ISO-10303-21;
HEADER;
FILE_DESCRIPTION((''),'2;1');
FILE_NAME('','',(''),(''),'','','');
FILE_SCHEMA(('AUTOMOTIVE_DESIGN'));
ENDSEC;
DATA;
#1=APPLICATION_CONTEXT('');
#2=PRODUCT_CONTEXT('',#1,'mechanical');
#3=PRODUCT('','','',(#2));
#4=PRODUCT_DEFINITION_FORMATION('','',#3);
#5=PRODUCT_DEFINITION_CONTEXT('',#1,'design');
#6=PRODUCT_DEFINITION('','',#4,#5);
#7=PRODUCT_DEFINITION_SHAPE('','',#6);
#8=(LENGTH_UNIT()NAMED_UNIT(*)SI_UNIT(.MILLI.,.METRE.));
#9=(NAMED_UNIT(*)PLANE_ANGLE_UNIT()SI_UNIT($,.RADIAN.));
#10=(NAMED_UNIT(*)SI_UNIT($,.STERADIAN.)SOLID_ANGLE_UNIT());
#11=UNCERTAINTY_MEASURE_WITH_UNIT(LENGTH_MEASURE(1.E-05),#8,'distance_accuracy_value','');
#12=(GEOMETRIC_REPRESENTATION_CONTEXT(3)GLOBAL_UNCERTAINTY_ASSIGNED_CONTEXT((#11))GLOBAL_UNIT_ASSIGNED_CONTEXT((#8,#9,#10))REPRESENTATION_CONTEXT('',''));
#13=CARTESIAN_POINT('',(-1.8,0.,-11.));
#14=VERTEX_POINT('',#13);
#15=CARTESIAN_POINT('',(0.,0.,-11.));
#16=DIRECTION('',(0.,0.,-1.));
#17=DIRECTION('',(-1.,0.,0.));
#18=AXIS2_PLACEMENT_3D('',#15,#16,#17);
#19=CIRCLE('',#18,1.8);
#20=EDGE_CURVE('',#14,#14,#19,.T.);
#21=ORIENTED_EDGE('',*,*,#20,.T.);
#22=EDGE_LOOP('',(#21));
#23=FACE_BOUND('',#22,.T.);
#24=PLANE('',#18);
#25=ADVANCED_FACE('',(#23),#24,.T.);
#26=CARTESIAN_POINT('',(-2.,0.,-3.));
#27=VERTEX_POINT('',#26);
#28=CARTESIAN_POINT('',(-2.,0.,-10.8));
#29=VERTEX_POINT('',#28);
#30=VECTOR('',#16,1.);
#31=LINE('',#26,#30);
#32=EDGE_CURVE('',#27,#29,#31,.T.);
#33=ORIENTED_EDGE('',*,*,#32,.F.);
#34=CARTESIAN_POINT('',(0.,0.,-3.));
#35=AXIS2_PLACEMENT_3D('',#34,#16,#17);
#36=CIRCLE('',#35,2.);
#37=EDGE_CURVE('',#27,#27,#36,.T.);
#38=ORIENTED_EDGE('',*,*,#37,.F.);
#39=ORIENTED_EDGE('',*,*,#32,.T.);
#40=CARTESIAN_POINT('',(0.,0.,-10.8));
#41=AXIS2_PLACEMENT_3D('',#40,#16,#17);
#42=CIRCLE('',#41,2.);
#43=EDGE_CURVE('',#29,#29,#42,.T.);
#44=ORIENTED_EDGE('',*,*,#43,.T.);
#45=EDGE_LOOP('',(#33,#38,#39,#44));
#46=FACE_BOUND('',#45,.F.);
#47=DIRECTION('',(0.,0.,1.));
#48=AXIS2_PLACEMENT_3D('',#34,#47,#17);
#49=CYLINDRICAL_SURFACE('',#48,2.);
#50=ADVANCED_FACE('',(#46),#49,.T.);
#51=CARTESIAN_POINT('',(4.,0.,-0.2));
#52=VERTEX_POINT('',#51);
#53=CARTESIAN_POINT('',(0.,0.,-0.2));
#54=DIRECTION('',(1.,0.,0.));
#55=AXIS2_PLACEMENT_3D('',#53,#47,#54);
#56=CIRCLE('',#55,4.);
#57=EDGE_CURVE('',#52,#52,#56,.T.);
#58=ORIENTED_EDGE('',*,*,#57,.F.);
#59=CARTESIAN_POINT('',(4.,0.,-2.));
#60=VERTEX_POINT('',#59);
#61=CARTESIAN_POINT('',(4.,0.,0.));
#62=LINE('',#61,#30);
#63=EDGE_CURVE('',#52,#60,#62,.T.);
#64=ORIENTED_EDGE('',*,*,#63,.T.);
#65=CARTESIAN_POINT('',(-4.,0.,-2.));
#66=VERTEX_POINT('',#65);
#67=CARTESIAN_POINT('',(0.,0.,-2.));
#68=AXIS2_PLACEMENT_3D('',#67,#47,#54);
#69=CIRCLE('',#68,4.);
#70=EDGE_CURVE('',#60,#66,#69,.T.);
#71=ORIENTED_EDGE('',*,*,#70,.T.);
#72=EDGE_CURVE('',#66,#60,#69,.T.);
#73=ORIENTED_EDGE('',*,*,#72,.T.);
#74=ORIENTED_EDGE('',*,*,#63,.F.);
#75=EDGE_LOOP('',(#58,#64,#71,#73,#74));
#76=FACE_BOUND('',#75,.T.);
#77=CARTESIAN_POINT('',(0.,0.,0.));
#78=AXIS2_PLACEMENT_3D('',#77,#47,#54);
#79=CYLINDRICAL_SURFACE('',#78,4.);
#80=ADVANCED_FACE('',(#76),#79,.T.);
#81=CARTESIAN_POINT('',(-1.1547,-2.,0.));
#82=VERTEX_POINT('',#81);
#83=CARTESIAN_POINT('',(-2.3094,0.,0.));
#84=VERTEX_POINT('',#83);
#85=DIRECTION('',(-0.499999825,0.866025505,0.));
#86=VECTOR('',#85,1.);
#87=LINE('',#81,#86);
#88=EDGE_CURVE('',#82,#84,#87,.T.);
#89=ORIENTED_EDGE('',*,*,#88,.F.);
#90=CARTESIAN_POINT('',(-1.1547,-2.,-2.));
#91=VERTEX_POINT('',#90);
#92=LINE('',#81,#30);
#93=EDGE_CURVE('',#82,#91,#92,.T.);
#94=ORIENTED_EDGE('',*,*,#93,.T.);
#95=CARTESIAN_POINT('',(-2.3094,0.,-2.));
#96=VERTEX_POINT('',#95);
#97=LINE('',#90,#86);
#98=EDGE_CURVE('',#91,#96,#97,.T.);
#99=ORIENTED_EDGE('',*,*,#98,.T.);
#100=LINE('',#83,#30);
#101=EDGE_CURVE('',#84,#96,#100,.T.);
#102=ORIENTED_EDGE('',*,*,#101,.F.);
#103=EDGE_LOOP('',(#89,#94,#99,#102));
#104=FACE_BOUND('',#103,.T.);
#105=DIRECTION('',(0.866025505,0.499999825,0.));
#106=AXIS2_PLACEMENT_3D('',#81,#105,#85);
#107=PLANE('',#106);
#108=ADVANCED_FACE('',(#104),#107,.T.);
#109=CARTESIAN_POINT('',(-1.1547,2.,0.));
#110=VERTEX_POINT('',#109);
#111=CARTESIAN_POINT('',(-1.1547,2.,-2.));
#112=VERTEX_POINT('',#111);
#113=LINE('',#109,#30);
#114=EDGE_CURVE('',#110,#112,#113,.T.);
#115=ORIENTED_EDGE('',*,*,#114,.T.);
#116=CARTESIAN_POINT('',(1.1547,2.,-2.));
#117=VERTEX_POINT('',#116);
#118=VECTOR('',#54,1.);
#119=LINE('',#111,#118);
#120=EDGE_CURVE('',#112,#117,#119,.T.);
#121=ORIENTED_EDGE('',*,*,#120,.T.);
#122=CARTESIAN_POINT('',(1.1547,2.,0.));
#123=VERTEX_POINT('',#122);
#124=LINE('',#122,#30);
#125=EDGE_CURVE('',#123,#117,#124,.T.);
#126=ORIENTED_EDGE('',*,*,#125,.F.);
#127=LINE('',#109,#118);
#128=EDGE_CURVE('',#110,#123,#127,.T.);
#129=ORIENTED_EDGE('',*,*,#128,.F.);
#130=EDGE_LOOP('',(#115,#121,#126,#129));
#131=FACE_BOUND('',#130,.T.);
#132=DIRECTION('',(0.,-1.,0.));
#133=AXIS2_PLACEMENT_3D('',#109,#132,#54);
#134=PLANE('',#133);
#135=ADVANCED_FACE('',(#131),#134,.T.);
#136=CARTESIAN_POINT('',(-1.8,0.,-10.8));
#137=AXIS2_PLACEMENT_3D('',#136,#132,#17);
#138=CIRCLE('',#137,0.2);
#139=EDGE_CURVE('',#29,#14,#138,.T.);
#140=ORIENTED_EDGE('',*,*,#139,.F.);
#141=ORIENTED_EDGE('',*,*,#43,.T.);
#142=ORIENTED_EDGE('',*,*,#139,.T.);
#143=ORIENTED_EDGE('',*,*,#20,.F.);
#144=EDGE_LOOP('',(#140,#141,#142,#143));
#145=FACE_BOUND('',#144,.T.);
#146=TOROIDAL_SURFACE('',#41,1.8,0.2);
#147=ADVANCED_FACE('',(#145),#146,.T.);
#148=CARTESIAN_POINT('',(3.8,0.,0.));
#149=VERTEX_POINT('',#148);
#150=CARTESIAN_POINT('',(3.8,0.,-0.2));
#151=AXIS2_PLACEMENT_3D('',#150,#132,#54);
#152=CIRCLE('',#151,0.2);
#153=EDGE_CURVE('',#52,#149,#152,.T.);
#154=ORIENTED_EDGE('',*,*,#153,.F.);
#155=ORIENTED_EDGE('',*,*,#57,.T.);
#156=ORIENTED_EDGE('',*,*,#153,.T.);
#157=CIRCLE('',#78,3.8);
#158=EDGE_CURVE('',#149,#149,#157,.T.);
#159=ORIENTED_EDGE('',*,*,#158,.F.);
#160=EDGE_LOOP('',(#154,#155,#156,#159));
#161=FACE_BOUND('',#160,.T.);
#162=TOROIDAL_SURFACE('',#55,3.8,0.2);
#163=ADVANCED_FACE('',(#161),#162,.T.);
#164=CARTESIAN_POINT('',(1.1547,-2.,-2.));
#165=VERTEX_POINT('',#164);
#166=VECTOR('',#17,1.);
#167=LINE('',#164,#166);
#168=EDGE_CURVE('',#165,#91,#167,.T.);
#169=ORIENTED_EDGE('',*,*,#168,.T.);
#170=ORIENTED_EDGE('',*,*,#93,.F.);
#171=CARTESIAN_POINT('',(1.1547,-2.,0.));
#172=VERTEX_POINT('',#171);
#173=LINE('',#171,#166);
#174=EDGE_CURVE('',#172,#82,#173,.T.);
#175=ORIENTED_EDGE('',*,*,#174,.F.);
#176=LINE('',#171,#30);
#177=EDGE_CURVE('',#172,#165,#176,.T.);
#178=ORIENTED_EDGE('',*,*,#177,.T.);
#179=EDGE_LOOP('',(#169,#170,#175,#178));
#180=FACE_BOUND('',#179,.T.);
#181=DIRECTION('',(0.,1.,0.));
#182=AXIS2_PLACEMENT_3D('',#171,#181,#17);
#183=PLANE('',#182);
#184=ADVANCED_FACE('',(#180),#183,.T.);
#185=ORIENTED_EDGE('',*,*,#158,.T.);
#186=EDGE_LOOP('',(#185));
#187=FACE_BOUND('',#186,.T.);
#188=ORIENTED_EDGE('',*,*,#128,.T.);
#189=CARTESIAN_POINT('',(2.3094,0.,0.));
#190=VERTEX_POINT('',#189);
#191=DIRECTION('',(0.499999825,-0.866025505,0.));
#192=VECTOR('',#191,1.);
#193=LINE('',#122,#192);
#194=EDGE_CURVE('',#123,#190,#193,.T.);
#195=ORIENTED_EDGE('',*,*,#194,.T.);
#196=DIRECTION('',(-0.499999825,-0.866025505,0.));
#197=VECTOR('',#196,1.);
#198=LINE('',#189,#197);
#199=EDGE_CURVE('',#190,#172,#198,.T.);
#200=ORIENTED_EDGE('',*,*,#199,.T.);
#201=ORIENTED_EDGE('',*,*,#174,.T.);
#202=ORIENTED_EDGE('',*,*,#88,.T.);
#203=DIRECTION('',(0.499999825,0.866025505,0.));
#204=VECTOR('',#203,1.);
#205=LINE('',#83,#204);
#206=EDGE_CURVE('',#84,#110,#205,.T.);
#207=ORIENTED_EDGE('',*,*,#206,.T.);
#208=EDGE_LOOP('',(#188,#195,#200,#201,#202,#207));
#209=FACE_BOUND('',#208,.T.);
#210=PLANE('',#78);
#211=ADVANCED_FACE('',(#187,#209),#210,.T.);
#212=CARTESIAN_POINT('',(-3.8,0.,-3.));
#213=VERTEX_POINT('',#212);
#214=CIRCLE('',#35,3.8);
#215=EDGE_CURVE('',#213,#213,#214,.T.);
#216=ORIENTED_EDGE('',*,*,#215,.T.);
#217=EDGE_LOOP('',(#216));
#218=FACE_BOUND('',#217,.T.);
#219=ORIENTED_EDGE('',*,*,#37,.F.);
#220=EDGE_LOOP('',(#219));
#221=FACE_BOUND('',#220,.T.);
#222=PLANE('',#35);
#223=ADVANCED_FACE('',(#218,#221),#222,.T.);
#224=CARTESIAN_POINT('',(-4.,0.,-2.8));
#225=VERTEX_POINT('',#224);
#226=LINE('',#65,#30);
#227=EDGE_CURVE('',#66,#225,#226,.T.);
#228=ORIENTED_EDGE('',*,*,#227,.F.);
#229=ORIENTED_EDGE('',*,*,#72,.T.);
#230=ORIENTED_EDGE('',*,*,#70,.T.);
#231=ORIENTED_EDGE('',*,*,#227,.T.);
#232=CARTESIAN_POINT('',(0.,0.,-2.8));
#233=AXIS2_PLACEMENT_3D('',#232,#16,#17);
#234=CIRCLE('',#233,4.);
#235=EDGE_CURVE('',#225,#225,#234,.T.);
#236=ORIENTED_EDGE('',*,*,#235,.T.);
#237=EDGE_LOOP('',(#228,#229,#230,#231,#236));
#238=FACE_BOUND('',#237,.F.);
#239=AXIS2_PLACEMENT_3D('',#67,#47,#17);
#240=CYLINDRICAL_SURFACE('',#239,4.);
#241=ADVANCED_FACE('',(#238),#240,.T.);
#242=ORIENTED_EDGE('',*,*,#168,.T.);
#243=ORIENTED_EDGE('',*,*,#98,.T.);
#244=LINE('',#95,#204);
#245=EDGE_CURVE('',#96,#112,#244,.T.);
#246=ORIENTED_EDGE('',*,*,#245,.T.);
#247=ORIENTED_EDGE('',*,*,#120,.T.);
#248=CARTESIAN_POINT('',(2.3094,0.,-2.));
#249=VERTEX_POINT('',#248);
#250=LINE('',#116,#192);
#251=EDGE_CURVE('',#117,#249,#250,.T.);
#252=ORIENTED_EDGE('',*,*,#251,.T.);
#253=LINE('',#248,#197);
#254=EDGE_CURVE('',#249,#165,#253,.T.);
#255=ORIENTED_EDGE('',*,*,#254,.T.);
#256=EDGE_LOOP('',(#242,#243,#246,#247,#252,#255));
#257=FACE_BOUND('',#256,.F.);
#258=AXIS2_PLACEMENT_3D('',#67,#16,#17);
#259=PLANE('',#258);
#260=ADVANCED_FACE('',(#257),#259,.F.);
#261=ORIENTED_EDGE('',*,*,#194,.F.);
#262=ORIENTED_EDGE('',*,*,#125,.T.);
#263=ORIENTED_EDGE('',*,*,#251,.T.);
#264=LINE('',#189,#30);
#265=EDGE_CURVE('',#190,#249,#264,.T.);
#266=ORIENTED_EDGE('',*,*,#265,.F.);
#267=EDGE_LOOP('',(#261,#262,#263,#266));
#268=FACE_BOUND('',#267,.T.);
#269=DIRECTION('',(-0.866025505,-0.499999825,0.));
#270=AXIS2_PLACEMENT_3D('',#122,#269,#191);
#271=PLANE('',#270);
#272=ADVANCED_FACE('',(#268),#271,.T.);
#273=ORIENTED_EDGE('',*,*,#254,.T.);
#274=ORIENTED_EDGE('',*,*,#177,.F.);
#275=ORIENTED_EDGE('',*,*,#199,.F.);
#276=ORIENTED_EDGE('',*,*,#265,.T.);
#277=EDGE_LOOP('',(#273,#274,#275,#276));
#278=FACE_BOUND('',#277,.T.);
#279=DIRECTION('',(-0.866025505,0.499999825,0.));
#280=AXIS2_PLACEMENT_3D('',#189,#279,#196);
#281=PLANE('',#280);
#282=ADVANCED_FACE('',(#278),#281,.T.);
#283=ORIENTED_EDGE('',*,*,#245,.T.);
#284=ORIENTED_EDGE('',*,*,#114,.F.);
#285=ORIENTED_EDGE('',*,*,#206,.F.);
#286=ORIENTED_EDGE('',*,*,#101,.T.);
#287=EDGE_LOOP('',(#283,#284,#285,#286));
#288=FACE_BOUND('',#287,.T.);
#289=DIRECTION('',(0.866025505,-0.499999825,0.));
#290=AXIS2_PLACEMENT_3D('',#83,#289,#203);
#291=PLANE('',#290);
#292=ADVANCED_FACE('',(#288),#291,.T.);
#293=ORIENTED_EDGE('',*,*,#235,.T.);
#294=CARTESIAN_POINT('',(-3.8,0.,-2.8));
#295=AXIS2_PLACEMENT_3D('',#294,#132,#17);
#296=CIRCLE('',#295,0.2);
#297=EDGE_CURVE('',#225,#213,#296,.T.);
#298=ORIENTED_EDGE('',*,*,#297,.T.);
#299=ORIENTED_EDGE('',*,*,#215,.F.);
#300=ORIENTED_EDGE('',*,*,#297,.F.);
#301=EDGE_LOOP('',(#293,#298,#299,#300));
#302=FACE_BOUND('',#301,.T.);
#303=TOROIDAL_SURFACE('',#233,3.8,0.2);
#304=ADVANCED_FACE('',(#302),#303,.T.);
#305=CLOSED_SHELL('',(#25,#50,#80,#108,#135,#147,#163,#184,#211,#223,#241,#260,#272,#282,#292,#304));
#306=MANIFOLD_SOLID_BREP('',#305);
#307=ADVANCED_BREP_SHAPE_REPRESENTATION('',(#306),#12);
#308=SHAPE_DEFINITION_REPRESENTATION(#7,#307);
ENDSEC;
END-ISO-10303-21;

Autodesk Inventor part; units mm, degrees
ref_plane "YZ Plane" through (0, 0, 0) normal (1, 0, 0) x (0, 1, 0)
ref_plane "XZ Plane" through (0, 0, 0) normal (0, 1, 0) x (-1, 0, 0)
ref_plane "XY Plane" through (0, 0, 0) normal (0, 0, 1) x (1, 0, 0)
sketch "Sketch1" plane through (0, 0, 0) normal (0, 0, 1) x (1, 0, 0)
  circle A0 centre (0, 0) radius 4
  line L0 (1.1547, 2) -> (2.3094, 0)
  line L1 (2.3094, 0) -> (1.1547, -2)
  line L2 (1.1547, -2) -> (-1.1547, -2)
  line L3 (-1.1547, -2) -> (-2.3094, 0)
  line L4 (-2.3094, 0) -> (-1.1547, 2)
  line L5 (-1.1547, 2) -> (1.1547, 2)
  dimension "d0" = 8
  dimension "d1" = 4
extrude "Extrusion1" add sketch "Sketch1" against normal blind 2
sketch "Sketch2" plane through (0, 0, -2) normal (0, 0, -1) x (-1, 0, 0)
  circle A0 centre (0, 0) radius 4 projected
extrude "Extrusion2" add sketch "Sketch2" along normal blind 1
sketch "Sketch3" plane through (0, 0, -3) normal (0, 0, -1) x (-1, 0, 0)
  circle A0 centre (0, 0) radius 2
  dimension "d6" = 4
extrude "Extrusion3" add sketch "Sketch3" along normal blind 8
fillet "Fillet1" radius 0.2 3 edges at (4, 0, -3) (-4, 0, 0) (2, 0, -11)
thread "Thread1" size "M5x0.8" class "6g" standard "ANSI Metric M Profile" length 7.8
properties part number "M3 x 8 Socket Head Bolt"
